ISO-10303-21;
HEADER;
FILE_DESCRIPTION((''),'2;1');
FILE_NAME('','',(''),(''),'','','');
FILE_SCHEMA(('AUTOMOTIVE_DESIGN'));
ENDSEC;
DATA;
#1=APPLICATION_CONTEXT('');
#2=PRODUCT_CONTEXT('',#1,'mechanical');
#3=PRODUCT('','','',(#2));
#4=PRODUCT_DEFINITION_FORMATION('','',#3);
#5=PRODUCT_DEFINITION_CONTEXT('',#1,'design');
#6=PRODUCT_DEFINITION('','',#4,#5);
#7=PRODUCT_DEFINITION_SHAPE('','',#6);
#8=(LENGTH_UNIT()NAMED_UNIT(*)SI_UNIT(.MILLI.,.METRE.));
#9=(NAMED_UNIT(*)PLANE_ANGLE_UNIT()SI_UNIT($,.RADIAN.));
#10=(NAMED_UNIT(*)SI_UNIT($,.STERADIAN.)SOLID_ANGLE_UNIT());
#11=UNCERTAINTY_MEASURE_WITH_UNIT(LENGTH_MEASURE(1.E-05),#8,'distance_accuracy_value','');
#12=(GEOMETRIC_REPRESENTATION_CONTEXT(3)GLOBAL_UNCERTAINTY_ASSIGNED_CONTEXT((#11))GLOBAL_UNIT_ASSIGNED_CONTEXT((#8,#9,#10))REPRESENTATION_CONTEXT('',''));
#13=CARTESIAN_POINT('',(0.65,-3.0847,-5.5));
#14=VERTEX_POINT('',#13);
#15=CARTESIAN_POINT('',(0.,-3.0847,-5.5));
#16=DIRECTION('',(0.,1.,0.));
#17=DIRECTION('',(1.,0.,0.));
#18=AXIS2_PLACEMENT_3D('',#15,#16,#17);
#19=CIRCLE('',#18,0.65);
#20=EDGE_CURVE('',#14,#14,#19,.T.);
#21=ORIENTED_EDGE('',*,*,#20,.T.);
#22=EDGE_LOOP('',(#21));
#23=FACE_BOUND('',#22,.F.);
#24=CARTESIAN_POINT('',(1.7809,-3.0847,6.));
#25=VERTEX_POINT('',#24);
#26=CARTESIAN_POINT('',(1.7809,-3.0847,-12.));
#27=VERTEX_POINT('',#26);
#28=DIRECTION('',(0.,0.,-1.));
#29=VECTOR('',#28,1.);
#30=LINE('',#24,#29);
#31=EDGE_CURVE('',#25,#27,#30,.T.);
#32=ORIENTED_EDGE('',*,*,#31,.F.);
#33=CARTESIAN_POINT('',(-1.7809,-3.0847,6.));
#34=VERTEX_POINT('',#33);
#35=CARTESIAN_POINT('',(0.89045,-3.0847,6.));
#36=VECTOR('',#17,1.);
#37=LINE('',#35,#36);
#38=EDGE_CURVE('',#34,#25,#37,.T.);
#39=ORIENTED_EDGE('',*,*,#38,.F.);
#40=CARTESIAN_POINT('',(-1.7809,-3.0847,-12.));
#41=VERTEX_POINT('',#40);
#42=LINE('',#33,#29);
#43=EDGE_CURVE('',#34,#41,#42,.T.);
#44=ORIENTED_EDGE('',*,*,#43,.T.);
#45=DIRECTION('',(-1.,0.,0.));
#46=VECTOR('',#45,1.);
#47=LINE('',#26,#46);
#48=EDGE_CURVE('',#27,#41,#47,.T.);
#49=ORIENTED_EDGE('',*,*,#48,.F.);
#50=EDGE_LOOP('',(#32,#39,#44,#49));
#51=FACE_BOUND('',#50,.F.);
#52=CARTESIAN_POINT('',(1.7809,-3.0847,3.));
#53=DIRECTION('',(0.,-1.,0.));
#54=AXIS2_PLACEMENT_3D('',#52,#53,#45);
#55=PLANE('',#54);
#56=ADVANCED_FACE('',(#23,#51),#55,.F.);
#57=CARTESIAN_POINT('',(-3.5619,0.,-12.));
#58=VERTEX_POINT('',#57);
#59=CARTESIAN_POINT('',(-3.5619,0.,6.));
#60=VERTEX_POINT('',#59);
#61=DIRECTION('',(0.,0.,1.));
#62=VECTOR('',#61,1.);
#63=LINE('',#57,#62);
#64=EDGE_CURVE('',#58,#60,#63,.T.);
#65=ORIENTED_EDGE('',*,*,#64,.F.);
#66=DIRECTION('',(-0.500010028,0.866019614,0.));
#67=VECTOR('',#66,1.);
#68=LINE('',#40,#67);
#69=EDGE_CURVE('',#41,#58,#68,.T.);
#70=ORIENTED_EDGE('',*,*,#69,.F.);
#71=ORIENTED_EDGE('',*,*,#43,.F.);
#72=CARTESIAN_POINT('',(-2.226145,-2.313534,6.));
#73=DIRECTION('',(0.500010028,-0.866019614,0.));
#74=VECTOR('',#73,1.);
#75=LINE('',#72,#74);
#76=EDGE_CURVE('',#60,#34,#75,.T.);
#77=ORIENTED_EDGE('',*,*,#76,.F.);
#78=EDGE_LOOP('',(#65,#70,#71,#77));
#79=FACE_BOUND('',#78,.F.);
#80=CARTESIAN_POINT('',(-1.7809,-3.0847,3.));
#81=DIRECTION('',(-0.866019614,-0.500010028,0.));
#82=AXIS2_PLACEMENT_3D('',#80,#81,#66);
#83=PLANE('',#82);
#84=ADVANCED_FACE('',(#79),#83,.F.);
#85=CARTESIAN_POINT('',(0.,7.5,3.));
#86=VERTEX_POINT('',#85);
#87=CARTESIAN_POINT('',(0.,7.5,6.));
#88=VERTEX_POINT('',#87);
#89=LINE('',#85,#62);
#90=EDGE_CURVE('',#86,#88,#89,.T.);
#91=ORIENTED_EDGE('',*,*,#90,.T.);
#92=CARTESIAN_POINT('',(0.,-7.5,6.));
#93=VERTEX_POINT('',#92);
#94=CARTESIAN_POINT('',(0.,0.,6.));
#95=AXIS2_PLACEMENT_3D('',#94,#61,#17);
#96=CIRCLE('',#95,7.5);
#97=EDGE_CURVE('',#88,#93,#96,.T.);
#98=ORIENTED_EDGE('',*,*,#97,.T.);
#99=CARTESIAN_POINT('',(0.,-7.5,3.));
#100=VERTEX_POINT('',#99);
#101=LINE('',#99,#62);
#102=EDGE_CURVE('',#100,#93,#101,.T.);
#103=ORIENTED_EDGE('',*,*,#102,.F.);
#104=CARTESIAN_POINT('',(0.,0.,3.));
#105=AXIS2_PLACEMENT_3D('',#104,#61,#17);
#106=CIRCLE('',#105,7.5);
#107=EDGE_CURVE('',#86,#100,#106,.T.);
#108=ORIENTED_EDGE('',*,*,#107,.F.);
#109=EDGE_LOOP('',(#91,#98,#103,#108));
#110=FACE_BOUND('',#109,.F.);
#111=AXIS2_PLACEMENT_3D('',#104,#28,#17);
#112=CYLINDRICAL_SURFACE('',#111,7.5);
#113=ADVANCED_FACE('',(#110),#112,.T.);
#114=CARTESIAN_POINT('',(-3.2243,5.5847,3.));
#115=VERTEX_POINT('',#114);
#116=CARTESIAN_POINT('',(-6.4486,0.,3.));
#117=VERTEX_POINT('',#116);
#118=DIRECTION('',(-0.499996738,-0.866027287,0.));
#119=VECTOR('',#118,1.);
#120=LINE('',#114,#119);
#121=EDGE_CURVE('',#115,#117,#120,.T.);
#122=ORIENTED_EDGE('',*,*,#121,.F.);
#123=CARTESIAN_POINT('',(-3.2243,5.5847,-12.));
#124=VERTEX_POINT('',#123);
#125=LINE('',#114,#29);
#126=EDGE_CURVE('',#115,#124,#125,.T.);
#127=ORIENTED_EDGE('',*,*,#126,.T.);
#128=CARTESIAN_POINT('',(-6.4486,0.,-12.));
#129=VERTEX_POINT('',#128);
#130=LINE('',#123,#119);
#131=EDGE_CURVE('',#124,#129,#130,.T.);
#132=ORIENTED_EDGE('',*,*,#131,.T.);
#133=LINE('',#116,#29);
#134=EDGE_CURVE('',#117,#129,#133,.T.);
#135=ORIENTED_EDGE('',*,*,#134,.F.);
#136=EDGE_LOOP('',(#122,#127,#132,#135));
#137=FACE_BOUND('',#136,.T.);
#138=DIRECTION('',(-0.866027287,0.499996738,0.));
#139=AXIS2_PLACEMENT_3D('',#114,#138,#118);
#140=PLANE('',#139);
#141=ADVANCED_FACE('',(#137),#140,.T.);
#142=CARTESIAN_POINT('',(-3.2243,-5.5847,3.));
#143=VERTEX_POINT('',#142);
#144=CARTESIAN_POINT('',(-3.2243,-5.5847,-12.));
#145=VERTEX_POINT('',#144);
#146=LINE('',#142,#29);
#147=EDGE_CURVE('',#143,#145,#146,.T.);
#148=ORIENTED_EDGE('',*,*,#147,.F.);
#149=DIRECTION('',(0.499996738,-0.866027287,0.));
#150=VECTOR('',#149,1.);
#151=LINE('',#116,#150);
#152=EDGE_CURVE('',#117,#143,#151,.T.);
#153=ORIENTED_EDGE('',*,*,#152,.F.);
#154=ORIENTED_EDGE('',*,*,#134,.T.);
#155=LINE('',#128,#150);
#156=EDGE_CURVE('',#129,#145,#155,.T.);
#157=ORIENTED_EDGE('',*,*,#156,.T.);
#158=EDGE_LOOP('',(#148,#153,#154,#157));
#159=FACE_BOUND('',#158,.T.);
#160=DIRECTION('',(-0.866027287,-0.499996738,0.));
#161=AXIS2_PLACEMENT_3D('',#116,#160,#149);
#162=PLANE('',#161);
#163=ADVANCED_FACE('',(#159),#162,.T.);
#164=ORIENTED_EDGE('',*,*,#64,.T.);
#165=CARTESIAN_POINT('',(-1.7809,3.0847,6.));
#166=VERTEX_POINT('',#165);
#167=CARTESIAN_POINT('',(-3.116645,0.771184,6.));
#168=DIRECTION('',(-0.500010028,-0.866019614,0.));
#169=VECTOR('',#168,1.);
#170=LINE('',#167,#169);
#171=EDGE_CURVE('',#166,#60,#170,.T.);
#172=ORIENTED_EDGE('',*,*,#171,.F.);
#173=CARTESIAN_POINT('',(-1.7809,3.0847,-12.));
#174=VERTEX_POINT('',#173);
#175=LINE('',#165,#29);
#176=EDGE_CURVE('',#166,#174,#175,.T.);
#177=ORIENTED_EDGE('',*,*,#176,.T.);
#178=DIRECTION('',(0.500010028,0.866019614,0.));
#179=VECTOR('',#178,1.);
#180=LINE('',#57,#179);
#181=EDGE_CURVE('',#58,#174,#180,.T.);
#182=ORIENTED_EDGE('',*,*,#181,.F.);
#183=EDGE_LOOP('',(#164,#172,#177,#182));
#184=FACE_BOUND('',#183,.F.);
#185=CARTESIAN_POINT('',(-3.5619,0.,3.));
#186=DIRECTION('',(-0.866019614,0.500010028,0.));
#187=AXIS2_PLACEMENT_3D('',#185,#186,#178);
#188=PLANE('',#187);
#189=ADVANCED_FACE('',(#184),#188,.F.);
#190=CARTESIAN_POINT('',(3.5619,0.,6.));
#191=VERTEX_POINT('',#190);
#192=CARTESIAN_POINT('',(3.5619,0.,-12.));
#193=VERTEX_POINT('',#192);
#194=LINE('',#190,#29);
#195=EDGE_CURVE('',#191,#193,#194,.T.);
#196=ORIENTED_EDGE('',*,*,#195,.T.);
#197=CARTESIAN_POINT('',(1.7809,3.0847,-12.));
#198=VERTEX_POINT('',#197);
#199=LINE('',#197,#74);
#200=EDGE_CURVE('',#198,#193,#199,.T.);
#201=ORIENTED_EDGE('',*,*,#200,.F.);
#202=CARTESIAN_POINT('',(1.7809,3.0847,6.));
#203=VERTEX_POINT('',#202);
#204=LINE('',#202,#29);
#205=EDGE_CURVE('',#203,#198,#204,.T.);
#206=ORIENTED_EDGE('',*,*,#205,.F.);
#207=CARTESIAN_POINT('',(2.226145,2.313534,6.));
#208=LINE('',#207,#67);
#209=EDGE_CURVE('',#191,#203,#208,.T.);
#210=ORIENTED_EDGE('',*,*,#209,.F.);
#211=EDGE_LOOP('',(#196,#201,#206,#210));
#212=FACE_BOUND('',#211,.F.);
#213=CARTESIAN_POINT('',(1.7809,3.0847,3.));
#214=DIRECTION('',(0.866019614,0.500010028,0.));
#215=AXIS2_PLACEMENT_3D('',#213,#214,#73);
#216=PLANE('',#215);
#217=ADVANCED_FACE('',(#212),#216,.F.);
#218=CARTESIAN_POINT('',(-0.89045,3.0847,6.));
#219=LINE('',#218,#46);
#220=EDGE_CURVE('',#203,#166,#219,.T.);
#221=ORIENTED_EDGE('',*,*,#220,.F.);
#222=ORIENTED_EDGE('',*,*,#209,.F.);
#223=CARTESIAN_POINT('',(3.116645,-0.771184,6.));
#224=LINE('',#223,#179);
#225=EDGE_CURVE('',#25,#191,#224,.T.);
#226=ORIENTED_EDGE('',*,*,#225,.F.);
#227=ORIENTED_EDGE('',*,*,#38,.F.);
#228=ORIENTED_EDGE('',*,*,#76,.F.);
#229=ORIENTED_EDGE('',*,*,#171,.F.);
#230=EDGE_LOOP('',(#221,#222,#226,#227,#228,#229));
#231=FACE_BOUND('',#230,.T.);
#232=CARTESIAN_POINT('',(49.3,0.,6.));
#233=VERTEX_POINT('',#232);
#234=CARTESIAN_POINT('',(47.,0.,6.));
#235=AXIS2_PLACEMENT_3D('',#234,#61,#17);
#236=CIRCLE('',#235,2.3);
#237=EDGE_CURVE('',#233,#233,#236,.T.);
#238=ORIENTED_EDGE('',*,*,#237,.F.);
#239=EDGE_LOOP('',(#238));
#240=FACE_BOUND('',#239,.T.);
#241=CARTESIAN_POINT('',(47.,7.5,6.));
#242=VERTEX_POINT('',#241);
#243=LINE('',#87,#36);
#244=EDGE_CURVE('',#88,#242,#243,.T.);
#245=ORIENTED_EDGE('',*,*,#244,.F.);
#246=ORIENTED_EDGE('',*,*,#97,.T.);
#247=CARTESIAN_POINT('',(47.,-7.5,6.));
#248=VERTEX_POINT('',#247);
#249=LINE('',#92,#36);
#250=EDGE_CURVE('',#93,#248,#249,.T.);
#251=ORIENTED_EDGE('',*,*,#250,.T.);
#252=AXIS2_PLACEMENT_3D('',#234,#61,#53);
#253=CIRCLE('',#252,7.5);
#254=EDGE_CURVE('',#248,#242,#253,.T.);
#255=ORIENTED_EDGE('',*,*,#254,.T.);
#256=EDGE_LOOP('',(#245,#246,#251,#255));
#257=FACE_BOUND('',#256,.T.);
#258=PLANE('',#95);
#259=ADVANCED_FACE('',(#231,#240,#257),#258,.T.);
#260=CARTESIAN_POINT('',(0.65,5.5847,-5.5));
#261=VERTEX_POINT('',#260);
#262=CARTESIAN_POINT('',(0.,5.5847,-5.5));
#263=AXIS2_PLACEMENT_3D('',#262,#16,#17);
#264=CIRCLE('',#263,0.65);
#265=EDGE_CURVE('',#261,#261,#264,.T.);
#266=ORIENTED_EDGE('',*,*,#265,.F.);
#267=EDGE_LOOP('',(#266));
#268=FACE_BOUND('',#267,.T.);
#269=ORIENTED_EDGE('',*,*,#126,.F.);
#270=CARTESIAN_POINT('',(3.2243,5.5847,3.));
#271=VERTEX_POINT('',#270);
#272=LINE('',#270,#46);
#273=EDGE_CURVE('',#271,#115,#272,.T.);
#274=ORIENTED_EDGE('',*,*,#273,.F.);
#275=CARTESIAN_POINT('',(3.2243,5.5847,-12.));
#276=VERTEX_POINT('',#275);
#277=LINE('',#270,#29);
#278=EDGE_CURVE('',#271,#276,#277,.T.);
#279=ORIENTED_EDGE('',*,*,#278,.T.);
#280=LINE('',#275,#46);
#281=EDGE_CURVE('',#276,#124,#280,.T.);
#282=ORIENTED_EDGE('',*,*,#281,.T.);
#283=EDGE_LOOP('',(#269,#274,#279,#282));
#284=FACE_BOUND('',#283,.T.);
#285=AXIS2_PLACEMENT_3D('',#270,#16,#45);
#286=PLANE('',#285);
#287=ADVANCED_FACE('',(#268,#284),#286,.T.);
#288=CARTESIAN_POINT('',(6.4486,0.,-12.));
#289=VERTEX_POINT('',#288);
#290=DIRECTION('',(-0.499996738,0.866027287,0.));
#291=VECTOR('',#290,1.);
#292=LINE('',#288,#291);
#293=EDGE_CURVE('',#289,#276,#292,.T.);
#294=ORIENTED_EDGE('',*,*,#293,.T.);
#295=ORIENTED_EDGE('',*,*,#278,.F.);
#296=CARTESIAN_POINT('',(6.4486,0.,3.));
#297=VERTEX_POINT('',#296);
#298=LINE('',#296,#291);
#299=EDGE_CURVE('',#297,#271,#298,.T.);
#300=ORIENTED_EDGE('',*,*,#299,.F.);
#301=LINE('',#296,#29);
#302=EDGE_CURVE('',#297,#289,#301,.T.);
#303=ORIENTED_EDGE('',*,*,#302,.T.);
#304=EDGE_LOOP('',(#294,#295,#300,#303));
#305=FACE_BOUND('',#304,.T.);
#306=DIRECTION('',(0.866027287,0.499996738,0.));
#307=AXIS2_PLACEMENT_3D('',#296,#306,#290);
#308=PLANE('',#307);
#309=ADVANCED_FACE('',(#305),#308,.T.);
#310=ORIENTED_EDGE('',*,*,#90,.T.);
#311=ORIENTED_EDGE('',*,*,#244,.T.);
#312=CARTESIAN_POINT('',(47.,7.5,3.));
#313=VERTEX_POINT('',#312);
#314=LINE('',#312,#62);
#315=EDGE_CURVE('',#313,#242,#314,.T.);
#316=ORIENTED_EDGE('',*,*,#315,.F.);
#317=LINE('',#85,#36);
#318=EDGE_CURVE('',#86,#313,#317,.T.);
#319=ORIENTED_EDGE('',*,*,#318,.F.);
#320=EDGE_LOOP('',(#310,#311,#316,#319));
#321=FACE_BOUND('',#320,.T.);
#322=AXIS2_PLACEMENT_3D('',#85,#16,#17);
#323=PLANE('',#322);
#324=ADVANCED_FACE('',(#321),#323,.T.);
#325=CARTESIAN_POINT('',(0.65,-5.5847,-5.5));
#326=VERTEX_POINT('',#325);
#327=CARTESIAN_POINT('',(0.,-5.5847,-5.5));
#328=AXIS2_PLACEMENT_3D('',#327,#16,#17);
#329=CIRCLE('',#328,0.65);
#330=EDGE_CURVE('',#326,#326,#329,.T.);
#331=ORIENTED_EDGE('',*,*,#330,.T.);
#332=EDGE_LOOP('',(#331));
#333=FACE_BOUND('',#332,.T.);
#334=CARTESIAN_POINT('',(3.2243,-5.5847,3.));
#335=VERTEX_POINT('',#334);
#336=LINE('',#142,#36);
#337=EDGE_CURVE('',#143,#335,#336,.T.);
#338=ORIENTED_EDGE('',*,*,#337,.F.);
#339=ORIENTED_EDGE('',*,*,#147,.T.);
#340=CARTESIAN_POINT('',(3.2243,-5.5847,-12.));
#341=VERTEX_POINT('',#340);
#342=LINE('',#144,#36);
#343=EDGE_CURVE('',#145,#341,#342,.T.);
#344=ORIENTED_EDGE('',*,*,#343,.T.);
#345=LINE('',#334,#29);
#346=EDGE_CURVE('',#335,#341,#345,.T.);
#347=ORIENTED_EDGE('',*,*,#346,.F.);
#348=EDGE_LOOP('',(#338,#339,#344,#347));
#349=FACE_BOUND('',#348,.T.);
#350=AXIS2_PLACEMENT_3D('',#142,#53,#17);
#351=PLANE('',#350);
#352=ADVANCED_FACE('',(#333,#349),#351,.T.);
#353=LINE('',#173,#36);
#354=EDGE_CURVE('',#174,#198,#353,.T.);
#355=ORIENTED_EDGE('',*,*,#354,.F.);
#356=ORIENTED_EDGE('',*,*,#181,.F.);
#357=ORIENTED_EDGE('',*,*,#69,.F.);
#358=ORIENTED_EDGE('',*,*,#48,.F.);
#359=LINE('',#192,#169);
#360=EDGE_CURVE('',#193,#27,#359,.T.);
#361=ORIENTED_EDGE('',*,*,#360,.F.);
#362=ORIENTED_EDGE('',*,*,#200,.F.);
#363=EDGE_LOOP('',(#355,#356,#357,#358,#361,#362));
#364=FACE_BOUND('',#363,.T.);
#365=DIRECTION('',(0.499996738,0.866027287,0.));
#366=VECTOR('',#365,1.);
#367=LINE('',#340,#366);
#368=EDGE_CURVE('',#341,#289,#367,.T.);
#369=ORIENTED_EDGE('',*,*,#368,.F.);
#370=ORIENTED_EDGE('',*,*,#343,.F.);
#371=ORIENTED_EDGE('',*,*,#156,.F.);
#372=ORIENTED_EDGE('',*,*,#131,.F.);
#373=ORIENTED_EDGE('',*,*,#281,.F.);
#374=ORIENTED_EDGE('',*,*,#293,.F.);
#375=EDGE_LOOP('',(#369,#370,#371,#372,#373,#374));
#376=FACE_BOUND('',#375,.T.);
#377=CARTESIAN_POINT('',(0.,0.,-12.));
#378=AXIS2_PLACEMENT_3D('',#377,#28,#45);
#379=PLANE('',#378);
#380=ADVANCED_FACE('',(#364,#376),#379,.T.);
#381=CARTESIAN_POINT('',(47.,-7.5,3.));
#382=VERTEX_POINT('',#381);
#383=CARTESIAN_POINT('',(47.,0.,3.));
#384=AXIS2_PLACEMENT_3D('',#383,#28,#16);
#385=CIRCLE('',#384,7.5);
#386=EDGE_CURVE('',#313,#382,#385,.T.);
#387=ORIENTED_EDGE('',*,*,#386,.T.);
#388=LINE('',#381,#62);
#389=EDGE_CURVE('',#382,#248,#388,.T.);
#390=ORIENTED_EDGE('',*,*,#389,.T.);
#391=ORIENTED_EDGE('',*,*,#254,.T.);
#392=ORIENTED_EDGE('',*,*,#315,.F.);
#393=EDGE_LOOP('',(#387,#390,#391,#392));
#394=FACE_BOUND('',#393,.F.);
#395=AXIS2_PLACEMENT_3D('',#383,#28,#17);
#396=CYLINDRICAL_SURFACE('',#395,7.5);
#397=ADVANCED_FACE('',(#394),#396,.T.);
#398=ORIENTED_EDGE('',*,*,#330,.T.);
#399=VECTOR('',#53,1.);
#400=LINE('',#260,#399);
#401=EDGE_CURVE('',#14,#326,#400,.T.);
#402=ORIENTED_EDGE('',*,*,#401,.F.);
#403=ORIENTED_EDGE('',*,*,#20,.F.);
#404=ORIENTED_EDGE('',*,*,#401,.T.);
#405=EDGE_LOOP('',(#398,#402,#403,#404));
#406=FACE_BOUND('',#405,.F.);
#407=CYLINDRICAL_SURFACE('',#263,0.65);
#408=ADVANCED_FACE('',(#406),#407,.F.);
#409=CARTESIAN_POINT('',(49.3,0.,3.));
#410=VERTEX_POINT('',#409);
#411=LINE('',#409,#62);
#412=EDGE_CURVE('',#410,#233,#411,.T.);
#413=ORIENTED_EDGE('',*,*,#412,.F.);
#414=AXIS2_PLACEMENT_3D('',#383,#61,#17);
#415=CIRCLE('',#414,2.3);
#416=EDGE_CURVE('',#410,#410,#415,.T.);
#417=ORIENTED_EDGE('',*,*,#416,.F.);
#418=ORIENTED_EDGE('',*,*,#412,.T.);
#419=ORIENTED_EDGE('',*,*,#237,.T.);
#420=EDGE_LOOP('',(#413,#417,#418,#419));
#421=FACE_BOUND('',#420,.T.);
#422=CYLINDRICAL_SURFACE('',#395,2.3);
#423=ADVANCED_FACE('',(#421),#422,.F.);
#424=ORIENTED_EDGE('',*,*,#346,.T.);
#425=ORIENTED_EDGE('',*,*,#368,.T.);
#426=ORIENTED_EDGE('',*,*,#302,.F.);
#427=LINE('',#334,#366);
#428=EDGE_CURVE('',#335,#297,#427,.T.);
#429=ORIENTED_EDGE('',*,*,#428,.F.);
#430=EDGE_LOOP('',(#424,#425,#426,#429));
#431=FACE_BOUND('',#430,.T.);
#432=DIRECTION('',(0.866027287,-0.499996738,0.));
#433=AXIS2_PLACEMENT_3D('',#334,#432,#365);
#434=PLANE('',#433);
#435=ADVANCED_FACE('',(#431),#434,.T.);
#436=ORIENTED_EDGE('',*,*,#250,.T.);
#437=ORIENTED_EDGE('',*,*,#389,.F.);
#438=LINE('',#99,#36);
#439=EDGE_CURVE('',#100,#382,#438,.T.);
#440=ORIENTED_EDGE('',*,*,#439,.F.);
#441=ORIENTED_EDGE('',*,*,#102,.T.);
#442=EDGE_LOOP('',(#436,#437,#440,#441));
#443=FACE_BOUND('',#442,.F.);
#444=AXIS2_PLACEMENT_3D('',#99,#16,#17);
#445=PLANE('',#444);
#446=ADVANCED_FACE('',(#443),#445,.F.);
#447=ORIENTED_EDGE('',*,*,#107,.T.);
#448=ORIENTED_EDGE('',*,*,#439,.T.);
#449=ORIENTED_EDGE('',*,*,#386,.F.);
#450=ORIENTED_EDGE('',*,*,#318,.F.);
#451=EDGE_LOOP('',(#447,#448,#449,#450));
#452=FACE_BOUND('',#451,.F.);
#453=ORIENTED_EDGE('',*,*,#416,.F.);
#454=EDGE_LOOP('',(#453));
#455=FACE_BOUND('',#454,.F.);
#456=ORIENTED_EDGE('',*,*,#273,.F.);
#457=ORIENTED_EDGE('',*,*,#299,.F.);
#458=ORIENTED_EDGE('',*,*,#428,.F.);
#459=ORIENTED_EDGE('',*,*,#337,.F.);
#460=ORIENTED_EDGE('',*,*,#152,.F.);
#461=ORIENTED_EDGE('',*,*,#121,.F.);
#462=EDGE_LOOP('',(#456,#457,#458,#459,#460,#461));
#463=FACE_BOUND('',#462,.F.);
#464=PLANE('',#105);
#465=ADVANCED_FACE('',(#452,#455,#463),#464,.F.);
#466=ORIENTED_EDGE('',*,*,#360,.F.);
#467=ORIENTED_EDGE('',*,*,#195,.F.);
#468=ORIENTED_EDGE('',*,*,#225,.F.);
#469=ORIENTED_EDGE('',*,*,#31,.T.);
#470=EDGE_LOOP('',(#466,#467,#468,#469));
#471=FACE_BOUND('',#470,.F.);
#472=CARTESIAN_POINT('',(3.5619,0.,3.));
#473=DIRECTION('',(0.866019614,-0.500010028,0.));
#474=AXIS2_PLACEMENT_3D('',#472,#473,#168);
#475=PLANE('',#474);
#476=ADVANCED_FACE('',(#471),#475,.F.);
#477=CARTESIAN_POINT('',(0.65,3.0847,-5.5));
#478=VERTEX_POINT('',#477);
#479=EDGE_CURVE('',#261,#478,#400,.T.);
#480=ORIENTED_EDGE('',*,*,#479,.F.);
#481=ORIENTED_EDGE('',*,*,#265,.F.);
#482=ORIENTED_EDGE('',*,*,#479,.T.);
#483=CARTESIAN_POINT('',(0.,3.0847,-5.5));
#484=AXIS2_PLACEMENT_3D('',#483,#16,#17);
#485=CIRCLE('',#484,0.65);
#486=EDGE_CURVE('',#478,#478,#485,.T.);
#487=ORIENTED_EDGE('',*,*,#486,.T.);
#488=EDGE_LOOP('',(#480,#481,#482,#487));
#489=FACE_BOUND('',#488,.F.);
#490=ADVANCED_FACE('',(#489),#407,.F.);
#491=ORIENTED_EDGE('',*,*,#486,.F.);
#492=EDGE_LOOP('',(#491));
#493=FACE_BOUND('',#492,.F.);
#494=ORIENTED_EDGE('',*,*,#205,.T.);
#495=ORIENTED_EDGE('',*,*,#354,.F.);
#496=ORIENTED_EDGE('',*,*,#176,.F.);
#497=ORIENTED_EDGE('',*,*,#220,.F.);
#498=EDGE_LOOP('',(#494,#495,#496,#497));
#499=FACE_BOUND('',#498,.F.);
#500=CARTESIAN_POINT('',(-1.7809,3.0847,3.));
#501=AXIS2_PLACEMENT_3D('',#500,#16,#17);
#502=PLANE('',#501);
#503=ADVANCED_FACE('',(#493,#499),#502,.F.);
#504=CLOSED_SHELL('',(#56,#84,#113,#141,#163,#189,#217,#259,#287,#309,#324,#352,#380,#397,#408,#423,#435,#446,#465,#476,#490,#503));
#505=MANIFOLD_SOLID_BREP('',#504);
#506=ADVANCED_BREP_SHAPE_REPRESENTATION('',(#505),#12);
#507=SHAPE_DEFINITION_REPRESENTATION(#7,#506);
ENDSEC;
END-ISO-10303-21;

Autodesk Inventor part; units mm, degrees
ref_plane "YZ Plane" through (0, 0, 0) normal (1, 0, 0) x (0, 1, 0)
ref_plane "XZ Plane" through (0, 0, 0) normal (0, 1, 0) x (-1, 0, 0)
ref_plane "Work Plane4" through (0, 0, 3) normal (0, 0, 1) x (1, 0, 0)
sketch "Sketch3" plane through (0, 0, 3) normal (0, 0, 1) x (1, 0, 0)
  circle A0 centre (47, 0) radius 2.3
  circle A1 centre (0, 0) radius 7.5 projected
  circle A2 centre (47, 0) radius 7.5
  line L0 (0, -7.5) -> (47, -7.5)
  line L1 (47, 0) -> (12.3969, 0) construction
  line L2 (0, 7.5) -> (47, 7.5)
  point P0 (0, 0)
  dimension "d13" = 15
  dimension "d5" = 4.6
  dimension "d14" = 47
extrude "Extrusion5" add sketch "Sketch3" along normal blind 3
sketch "Sketch6" plane through (0, 0, 3) normal (0, 0, -1) x (-1, 0, 0)
  arc A0 (0, -7.5) -> (0, 7.5) centre (0, 0) ccw projected
  line L0 (0, 0) -> (3.1, 0) construction
  line L1 (0, 0) -> (1.55, 2.6847) construction
  line L2 (0, 0) -> (-1.55, 2.6847) construction
  line L3 (0, 0) -> (-3.1, 0) construction
  line L4 (0, 0) -> (-1.55, -2.6847) construction
  line L5 (0, 0) -> (1.55, -2.6847) construction
  line L6 (-1.55, 2.6847) -> (1.55, 2.6847) construction
  line L7 (1.55, 2.6847) -> (3.1, 0) construction
  line L8 (3.1, 0) -> (1.55, -2.6847) construction
  line L9 (1.55, -2.6847) -> (-1.55, -2.6847) construction
  line L10 (-1.55, -2.6847) -> (-3.1, 0) construction
  line L11 (-3.1, 0) -> (-1.55, 2.6847) construction
  line L12 (3.5619, 0) -> (1.7809, 3.0847)
  line L13 (1.7809, 3.0847) -> (-1.7809, 3.0847)
  line L14 (-1.7809, 3.0847) -> (-3.5619, 0)
  line L15 (-3.5619, 0) -> (-1.7809, -3.0847)
  line L16 (-1.7809, -3.0847) -> (1.7809, -3.0847)
  line L17 (1.7809, -3.0847) -> (3.5619, 0)
  line L18 (3.2243, 5.5847) -> (6.4486, 0)
  line L19 (6.4486, 0) -> (3.2243, -5.5847)
  line L20 (3.2243, -5.5847) -> (-3.2243, -5.5847)
  line L21 (-3.2243, -5.5847) -> (-6.4486, 0)
  line L22 (-6.4486, 0) -> (-3.2243, 5.5847)
  line L23 (-3.2243, 5.5847) -> (3.2243, 5.5847)
  point P0 (0, 0)
  dimension "d17" = 3.1
  dimension "d20" = 360
  dimension "d22" = 0.4
  dimension "d23" = 2.5
extrude "Extrusion6" add sketch "Sketch6" along normal blind 15
sketch "Sketch7" plane through (0, 0, 3) normal (0, 0, -1) x (-1, 0, 0)
  line L0 (3.5619, 0) -> (1.7809, 3.0847) projected
  line L1 (1.7809, 3.0847) -> (-1.7809, 3.0847) projected
  line L2 (-1.7809, 3.0847) -> (-3.5619, 0) projected
  line L3 (-3.5619, 0) -> (-1.7809, -3.0847) projected
  line L4 (-1.7809, -3.0847) -> (1.7809, -3.0847) projected
  line L5 (1.7809, -3.0847) -> (3.5619, 0) projected
  point P0 (0, 0)
extrude "Extrusion7" cut sketch "Sketch7" against normal blind 15
sketch "Sketch8" plane through (-3.2243, 5.5847, 3) normal (0, 1, 0) x (1, 0, 0)
  line L0 (6.4486, 0) -> (0, 0) projected
  line L1 (6.4486, 0) -> (6.4486, 15) projected
  line L2 (0, 15) -> (6.4486, 15) projected
  line L3 (0, 0) -> (0, 15) projected
  line L4 (0, 0) -> (0, 15) projected
  line L5 (1.4434, 15) -> (5.0053, 15) projected
  line L6 (3.2243, 0) -> (3.2243, -3) projected
  line L7 (3.2243, 15) -> (3.2243, 0) construction
  circle A0 centre (3.2243, 8.5) radius 0.65
  line L8 (-4.2757, -3) -> (3.2243, -3) projected
  point P0 (3.2243, 3)
  dimension "d29" = 1.3
  dimension "d30" = 11.5
extrude "Extrusion8" cut sketch "Sketch8" against normal blind 15 contours A0
properties part number "Acople_TransPot"
